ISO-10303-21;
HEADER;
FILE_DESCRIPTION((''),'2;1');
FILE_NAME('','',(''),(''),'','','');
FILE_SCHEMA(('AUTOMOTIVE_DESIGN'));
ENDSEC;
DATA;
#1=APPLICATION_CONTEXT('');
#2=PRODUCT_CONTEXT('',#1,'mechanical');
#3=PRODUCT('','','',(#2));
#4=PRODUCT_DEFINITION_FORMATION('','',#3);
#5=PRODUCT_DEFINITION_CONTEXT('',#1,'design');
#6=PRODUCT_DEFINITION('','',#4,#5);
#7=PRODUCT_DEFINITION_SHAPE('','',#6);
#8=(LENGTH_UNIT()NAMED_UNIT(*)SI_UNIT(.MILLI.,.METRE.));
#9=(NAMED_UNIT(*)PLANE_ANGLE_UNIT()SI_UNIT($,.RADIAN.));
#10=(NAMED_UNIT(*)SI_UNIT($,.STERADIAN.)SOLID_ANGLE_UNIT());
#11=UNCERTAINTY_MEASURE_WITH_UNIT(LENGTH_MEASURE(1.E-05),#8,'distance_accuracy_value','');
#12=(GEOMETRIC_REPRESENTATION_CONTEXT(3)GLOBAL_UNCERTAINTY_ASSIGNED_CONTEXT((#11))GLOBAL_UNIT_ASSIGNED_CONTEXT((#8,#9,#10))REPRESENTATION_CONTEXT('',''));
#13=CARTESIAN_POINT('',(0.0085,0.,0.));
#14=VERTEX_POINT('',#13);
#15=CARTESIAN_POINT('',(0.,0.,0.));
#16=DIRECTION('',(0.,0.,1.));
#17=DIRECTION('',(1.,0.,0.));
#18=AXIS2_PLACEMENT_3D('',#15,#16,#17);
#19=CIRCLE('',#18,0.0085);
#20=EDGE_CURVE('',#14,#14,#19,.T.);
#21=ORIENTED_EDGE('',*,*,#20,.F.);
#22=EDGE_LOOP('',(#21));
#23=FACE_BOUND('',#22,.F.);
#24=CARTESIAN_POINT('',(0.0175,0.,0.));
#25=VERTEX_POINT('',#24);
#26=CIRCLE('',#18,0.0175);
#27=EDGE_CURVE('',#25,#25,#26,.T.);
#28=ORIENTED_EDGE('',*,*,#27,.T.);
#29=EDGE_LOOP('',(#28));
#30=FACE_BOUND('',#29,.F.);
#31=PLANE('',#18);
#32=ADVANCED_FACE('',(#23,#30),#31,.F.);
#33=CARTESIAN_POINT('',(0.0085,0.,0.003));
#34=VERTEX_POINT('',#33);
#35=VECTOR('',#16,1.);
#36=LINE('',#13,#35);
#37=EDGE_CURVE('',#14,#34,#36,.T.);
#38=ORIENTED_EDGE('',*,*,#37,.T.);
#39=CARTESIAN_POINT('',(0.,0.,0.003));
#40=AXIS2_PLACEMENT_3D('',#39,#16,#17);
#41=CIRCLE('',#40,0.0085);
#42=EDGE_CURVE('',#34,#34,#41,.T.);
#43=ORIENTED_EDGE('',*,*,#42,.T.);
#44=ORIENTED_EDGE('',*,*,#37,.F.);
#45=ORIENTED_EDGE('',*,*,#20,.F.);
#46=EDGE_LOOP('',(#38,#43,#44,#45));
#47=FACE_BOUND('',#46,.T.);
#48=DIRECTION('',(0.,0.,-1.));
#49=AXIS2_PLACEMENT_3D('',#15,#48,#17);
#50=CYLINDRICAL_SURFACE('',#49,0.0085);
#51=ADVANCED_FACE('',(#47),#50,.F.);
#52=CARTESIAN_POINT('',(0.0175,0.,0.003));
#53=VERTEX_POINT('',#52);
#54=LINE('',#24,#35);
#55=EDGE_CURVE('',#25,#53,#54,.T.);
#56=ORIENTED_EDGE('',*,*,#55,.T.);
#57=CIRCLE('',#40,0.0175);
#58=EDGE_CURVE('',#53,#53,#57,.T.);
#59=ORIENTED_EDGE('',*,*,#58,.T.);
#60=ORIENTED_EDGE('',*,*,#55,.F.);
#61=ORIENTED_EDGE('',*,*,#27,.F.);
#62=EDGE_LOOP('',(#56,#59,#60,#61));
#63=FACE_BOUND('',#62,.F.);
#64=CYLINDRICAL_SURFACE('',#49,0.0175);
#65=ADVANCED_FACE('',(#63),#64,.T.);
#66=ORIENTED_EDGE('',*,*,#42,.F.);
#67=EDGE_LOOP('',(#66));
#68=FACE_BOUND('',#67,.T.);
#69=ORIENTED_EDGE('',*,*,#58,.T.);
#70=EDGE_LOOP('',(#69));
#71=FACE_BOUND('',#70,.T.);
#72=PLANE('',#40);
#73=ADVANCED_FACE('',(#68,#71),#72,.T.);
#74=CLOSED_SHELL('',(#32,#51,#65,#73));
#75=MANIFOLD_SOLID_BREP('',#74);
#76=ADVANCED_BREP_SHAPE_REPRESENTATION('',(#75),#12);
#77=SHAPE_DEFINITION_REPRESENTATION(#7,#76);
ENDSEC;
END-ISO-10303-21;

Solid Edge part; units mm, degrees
sketch "Sketch1" plane through (0, 0, 0) normal (0, 0, 1) x (1, 0, 0)
  circle A0 centre (0, 0) radius 0.0085
  circle A1 centre (0, 0) radius 0.0175
  dimension "D1" = 0.017
  dimension "D2" = 0.035
extrude "Protrusion1" add sketch "Sketch1" along normal blind 0.003
